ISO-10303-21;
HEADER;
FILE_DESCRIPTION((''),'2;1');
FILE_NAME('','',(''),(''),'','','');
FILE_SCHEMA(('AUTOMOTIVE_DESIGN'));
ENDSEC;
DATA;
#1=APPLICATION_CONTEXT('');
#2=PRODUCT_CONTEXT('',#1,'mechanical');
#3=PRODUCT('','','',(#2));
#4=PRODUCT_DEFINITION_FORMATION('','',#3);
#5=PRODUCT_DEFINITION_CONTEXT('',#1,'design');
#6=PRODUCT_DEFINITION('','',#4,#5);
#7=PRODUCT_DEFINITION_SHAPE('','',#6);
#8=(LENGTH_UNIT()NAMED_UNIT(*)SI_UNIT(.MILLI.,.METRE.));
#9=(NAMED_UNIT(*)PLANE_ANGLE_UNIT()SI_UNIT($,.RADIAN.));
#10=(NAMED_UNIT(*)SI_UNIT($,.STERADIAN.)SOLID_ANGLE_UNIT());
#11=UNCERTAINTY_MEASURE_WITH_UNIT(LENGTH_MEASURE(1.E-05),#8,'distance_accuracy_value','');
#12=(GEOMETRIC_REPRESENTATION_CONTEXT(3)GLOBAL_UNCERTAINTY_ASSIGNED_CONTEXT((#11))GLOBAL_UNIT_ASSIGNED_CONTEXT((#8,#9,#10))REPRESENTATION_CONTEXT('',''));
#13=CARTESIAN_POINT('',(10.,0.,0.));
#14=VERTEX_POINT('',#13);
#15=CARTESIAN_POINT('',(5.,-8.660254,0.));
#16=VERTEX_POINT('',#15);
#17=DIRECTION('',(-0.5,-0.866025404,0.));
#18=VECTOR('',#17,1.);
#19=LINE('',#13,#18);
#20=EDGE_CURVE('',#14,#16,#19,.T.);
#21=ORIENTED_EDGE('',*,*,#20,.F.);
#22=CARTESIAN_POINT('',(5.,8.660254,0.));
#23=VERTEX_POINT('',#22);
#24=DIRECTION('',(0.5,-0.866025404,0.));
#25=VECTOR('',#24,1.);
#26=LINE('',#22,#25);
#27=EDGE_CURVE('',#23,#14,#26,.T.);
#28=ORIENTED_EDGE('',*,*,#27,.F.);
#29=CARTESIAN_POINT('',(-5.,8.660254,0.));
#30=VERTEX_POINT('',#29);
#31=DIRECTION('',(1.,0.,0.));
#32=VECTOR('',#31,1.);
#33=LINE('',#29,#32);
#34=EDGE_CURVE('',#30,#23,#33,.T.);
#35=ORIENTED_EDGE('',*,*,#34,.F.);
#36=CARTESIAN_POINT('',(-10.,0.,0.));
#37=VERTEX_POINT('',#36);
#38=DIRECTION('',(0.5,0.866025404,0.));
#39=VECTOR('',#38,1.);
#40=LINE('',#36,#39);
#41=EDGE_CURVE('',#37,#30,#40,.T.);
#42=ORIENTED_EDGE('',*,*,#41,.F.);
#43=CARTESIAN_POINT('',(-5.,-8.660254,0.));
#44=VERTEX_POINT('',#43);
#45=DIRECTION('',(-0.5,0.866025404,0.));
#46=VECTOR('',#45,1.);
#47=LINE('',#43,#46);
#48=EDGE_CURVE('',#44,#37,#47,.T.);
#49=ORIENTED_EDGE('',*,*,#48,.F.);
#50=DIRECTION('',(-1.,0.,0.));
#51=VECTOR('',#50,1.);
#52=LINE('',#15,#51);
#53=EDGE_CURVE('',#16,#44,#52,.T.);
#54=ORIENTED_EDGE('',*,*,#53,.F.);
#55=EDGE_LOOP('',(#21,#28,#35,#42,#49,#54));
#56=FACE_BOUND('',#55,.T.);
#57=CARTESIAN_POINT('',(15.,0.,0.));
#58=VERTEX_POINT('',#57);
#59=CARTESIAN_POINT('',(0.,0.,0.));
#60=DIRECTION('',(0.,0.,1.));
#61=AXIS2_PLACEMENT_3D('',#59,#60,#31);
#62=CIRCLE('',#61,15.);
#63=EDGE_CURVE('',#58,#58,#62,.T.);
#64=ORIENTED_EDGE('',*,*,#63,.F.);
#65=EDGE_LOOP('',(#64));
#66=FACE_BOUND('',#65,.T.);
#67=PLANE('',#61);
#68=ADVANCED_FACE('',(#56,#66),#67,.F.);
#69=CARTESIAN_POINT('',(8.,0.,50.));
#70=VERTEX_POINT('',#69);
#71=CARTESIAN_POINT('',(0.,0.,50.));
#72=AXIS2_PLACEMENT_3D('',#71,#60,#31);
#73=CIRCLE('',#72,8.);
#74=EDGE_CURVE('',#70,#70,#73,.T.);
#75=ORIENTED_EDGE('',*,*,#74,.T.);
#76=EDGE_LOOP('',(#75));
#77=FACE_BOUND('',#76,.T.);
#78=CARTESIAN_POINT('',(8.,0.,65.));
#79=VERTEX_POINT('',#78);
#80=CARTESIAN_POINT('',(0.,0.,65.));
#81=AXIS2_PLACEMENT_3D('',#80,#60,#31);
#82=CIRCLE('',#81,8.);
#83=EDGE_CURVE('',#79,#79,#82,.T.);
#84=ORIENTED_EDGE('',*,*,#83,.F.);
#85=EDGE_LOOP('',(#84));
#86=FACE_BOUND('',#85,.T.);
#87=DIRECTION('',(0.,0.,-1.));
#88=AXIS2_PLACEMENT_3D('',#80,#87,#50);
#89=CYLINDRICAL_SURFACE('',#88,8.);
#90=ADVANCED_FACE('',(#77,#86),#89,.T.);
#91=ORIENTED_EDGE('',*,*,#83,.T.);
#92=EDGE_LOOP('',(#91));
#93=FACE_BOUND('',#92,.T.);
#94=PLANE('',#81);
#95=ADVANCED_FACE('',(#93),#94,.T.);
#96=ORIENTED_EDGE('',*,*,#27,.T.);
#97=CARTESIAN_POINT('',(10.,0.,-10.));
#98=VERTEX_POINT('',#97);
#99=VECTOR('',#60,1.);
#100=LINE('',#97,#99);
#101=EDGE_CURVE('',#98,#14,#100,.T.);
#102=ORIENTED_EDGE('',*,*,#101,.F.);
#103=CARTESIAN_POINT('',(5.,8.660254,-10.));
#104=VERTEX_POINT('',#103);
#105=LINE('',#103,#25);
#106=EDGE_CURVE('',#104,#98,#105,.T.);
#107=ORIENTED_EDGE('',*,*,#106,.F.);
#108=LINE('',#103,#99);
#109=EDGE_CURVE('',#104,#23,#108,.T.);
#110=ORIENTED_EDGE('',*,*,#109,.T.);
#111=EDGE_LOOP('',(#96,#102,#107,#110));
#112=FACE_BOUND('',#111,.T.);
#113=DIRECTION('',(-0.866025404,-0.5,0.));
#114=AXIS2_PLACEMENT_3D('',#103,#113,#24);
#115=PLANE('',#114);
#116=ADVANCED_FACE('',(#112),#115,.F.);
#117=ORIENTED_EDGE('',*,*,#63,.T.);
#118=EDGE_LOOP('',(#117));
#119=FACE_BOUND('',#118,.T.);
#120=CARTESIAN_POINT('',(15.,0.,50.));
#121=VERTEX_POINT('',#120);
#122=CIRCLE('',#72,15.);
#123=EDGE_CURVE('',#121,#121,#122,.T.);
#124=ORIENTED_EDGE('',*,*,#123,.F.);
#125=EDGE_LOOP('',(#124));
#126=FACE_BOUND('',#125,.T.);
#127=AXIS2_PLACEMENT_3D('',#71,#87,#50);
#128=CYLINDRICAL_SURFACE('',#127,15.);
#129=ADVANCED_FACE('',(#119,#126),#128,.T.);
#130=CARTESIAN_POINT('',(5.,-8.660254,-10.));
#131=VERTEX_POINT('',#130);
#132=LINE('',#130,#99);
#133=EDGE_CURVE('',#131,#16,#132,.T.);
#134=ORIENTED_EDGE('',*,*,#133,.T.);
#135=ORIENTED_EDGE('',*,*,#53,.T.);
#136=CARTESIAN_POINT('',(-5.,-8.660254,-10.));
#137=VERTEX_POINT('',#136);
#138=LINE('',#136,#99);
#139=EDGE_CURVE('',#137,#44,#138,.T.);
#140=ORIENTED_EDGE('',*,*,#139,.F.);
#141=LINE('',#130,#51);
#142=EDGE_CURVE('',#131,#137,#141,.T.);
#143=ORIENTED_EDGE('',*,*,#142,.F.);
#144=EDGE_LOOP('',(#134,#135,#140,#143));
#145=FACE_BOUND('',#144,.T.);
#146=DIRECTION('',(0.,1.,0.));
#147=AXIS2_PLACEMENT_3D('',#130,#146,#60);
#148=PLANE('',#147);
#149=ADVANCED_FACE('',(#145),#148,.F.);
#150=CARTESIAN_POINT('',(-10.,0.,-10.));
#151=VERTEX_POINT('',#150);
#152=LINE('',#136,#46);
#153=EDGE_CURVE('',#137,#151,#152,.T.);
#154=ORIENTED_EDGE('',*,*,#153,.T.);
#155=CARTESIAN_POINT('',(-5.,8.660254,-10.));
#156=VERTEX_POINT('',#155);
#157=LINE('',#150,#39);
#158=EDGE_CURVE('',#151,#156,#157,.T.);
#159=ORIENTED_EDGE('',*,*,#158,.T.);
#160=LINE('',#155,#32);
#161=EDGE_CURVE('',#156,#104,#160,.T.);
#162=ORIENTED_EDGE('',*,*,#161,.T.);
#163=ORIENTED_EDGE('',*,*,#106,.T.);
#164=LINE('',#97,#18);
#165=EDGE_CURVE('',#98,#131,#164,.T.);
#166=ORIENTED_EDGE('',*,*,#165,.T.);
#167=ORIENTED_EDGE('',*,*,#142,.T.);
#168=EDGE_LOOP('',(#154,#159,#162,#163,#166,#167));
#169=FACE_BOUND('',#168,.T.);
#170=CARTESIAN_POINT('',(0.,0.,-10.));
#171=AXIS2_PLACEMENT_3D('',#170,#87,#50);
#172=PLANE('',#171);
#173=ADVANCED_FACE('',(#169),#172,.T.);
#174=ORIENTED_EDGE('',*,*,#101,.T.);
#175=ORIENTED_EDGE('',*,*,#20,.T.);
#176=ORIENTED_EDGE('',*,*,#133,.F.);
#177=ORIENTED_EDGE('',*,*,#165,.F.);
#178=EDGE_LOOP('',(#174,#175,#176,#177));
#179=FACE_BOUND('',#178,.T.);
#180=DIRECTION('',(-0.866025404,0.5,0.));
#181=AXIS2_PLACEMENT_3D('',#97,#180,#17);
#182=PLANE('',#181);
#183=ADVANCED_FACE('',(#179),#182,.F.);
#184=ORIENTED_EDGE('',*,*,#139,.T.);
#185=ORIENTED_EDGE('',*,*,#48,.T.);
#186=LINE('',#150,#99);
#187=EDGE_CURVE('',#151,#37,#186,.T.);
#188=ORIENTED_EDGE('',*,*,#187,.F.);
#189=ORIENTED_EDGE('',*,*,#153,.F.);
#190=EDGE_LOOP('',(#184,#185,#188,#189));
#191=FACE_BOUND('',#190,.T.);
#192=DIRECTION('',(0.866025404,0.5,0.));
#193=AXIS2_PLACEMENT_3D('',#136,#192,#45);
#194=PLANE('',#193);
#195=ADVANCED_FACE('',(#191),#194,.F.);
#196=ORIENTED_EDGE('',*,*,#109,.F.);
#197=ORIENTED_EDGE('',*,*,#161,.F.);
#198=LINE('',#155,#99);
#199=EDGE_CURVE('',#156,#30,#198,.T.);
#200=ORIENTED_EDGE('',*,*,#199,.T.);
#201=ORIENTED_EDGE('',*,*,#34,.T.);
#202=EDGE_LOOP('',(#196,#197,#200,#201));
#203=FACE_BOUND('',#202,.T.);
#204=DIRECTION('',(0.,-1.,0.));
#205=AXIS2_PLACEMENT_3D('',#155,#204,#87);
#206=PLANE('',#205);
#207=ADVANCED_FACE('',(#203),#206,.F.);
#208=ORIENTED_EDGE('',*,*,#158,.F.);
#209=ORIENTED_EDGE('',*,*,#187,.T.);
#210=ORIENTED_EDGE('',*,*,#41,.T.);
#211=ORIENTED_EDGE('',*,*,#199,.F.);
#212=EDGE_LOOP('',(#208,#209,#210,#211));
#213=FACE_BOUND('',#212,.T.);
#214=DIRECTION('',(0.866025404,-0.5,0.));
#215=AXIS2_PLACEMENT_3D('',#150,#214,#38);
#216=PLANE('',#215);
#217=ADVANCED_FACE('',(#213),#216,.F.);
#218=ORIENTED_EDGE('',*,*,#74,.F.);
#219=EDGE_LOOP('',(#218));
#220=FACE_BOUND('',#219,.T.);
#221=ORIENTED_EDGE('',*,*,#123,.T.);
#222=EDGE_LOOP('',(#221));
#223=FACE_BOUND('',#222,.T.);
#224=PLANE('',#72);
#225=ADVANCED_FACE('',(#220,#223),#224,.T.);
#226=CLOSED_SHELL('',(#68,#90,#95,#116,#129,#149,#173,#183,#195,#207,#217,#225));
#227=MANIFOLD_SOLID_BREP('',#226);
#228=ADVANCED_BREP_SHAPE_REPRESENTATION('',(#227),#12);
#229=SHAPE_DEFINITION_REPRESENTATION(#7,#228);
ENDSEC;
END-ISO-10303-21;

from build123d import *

# Parameters (mm, degrees)
SCHIZZO1_R                   = 15
ESTRUSIONE_ESTRUSIONE1_DEPTH = 50
SCHIZZO2_R                   = 8
ESTRUSIONE_ESTRUSIONE2_DEPTH = 15
ESTRUSIONE_ESTRUSIONE3_DEPTH = 10


with BuildPart() as part:
    # Schizzo1 → Estrusione-Estrusione1 (new body)
    with BuildSketch(Plane.XY):
        Circle(SCHIZZO1_R)
    extrude(amount=ESTRUSIONE_ESTRUSIONE1_DEPTH)

    # Schizzo2 → Estrusione-Estrusione2 (add)
    with BuildSketch(Plane.XY.offset(50)):
        Circle(SCHIZZO2_R)
    extrude(amount=ESTRUSIONE_ESTRUSIONE2_DEPTH)

    # Schizzo3 → Estrusione-Estrusione3 (add)
    with BuildSketch(Plane(origin=(0, 0, 0), x_dir=(-1, 0, 0), z_dir=(0, 0, -1))):
        Polygon((10, 0), (5, 8.660254038), (-5, 8.660254038), (-10, 0), (-5, -8.660254038), (5, -8.660254038), align=None)
    extrude(amount=ESTRUSIONE_ESTRUSIONE3_DEPTH)


solid = part.part
